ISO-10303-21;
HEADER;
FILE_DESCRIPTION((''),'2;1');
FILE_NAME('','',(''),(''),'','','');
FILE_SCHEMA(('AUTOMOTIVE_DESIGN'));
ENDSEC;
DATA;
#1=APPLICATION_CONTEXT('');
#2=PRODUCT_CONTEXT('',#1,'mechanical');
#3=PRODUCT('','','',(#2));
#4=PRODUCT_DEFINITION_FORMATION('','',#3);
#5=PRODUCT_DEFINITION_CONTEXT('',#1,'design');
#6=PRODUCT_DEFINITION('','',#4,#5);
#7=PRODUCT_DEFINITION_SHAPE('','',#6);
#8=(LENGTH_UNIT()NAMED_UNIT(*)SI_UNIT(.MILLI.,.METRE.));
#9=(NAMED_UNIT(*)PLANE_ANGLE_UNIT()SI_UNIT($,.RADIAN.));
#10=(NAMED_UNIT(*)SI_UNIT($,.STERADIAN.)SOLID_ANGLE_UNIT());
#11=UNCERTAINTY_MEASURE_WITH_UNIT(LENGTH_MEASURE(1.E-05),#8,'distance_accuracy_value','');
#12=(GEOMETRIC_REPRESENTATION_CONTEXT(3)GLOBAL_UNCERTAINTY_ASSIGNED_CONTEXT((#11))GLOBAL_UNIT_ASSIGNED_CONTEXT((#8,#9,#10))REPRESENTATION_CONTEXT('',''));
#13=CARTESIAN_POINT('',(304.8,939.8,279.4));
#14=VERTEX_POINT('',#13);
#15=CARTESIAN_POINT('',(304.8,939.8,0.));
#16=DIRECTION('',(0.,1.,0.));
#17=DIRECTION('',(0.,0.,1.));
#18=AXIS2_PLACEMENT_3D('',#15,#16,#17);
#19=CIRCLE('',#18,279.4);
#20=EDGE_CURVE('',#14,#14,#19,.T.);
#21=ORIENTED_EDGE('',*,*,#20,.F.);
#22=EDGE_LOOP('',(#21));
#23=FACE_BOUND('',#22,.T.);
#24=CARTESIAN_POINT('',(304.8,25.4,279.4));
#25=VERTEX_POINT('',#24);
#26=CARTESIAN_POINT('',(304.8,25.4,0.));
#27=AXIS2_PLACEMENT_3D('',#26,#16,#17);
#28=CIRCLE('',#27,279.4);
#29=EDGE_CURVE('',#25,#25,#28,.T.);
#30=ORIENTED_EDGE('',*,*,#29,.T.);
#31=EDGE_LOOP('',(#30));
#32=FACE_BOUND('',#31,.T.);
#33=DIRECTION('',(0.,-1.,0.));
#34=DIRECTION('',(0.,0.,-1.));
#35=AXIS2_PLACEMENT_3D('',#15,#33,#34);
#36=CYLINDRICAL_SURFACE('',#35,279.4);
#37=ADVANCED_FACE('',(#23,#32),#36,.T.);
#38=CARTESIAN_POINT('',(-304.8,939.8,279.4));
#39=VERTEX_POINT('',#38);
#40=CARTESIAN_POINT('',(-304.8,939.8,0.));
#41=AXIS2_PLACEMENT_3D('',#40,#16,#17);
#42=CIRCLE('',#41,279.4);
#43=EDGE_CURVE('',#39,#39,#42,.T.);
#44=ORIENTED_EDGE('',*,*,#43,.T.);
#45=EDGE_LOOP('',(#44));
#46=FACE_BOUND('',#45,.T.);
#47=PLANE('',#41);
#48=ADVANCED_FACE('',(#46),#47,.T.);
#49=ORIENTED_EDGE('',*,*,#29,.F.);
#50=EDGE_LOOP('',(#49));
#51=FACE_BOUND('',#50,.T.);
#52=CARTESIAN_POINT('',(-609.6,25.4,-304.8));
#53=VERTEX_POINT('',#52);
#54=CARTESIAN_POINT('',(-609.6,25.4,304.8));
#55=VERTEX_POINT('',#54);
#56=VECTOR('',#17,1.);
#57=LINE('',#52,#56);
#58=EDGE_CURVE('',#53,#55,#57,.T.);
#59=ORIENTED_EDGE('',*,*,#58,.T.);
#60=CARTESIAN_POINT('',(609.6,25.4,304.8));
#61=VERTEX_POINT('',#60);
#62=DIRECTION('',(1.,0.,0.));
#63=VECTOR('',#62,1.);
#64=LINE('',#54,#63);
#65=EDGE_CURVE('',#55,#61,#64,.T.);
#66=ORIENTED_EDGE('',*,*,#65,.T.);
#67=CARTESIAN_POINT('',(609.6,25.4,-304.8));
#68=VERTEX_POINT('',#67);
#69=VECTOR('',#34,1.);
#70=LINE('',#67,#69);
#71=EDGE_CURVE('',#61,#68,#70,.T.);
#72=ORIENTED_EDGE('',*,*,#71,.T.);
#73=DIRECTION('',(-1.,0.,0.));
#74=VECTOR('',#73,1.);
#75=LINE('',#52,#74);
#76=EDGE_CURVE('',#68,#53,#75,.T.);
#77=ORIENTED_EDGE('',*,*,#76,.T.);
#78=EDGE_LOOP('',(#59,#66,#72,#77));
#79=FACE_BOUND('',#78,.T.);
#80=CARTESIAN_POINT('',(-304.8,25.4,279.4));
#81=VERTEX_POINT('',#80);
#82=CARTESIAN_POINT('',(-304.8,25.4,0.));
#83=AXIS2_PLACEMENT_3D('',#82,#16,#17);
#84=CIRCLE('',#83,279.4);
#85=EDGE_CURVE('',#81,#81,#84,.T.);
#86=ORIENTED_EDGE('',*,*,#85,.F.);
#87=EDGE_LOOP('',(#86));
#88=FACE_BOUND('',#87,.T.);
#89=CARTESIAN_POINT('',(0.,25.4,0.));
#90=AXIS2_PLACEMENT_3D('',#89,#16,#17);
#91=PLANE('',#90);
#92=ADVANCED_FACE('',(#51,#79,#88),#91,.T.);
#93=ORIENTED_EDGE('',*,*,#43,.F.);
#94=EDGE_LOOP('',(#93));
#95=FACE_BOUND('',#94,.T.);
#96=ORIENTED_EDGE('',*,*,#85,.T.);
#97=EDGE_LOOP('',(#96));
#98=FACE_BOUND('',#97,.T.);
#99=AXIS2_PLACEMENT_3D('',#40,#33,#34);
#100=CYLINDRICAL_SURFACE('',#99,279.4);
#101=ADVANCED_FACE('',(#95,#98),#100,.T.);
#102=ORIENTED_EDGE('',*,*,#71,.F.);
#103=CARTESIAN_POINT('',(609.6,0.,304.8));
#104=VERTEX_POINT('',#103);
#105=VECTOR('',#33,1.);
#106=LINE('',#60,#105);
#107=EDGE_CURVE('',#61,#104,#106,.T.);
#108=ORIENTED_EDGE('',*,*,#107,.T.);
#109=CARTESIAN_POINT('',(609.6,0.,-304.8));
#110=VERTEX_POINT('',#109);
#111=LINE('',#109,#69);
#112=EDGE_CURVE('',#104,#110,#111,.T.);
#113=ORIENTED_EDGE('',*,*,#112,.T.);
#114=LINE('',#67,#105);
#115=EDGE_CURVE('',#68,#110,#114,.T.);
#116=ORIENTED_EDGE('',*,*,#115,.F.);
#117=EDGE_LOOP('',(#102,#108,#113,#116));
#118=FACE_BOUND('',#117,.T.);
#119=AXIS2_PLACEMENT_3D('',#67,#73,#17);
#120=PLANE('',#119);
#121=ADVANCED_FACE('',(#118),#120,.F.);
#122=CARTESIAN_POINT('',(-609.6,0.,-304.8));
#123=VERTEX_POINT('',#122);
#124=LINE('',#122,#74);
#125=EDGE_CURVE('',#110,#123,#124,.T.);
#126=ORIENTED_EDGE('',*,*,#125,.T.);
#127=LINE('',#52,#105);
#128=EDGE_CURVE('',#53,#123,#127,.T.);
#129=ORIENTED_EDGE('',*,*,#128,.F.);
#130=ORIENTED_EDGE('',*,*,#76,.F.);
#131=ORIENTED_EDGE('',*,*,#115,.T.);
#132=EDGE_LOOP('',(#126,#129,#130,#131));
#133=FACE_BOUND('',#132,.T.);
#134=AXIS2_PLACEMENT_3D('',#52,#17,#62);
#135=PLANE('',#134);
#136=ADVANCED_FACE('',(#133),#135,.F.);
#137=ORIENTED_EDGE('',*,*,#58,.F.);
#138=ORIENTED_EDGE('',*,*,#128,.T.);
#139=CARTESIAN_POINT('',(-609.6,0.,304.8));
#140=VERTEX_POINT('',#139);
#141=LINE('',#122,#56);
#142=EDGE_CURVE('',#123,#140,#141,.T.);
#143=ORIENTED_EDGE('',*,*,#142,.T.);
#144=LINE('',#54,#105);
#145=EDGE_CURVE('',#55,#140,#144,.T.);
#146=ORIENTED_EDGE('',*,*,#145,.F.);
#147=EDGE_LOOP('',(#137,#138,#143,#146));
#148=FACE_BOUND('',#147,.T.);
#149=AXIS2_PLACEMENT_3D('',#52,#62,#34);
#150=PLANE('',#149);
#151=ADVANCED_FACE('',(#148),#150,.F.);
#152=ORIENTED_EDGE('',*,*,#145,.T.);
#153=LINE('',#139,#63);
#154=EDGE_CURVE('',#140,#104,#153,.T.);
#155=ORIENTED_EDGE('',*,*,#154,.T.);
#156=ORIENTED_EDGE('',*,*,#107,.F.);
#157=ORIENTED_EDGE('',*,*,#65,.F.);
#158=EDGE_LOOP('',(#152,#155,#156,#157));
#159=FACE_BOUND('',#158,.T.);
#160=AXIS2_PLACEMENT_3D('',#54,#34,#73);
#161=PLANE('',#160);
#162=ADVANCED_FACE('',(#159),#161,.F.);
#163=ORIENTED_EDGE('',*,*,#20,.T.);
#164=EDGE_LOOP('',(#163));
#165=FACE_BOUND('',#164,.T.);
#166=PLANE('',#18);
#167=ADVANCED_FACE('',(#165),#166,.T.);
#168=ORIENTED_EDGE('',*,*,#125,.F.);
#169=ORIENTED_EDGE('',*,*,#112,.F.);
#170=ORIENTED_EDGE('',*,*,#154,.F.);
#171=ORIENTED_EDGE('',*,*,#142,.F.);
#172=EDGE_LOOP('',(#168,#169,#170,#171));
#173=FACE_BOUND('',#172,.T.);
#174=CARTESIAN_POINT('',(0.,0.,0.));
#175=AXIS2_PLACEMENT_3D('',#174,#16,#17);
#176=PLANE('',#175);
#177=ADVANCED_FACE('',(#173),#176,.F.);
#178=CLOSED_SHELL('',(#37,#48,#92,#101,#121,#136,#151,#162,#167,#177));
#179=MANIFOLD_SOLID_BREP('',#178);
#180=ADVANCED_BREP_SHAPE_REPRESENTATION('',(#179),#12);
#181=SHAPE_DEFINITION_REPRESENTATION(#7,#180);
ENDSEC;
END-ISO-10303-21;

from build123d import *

# Parameters (mm, degrees)
SKETCH1_W           = 1219.2
SKETCH1_H           = 609.6
BOSS_EXTRUDE1_DEPTH = 25.4
SKETCH2_R           = 279.4
BOSS_EXTRUDE2_DEPTH = 914.4


with BuildPart() as part:
    # Sketch1 → Boss-Extrude1 (new body)
    with BuildSketch(Plane(origin=(0, 0, 0), x_dir=(1, 0, 0), z_dir=(0, 1, 0))):
        Rectangle(SKETCH1_W, SKETCH1_H)
    extrude(amount=BOSS_EXTRUDE1_DEPTH)

    # Sketch2 → Boss-Extrude2 (add)
    with BuildSketch(Plane(origin=(0, 25.4, 0), x_dir=(1, 0, 0), z_dir=(0, 1, 0))):
        with Locations(Location((-304.8, 0, 0), (0, 0, 270))):
            Circle(SKETCH2_R)
        with Locations(Location((304.8, 0, 0), (0, 0, 270))):
            Circle(SKETCH2_R)
    extrude(amount=BOSS_EXTRUDE2_DEPTH)


solid = part.part
